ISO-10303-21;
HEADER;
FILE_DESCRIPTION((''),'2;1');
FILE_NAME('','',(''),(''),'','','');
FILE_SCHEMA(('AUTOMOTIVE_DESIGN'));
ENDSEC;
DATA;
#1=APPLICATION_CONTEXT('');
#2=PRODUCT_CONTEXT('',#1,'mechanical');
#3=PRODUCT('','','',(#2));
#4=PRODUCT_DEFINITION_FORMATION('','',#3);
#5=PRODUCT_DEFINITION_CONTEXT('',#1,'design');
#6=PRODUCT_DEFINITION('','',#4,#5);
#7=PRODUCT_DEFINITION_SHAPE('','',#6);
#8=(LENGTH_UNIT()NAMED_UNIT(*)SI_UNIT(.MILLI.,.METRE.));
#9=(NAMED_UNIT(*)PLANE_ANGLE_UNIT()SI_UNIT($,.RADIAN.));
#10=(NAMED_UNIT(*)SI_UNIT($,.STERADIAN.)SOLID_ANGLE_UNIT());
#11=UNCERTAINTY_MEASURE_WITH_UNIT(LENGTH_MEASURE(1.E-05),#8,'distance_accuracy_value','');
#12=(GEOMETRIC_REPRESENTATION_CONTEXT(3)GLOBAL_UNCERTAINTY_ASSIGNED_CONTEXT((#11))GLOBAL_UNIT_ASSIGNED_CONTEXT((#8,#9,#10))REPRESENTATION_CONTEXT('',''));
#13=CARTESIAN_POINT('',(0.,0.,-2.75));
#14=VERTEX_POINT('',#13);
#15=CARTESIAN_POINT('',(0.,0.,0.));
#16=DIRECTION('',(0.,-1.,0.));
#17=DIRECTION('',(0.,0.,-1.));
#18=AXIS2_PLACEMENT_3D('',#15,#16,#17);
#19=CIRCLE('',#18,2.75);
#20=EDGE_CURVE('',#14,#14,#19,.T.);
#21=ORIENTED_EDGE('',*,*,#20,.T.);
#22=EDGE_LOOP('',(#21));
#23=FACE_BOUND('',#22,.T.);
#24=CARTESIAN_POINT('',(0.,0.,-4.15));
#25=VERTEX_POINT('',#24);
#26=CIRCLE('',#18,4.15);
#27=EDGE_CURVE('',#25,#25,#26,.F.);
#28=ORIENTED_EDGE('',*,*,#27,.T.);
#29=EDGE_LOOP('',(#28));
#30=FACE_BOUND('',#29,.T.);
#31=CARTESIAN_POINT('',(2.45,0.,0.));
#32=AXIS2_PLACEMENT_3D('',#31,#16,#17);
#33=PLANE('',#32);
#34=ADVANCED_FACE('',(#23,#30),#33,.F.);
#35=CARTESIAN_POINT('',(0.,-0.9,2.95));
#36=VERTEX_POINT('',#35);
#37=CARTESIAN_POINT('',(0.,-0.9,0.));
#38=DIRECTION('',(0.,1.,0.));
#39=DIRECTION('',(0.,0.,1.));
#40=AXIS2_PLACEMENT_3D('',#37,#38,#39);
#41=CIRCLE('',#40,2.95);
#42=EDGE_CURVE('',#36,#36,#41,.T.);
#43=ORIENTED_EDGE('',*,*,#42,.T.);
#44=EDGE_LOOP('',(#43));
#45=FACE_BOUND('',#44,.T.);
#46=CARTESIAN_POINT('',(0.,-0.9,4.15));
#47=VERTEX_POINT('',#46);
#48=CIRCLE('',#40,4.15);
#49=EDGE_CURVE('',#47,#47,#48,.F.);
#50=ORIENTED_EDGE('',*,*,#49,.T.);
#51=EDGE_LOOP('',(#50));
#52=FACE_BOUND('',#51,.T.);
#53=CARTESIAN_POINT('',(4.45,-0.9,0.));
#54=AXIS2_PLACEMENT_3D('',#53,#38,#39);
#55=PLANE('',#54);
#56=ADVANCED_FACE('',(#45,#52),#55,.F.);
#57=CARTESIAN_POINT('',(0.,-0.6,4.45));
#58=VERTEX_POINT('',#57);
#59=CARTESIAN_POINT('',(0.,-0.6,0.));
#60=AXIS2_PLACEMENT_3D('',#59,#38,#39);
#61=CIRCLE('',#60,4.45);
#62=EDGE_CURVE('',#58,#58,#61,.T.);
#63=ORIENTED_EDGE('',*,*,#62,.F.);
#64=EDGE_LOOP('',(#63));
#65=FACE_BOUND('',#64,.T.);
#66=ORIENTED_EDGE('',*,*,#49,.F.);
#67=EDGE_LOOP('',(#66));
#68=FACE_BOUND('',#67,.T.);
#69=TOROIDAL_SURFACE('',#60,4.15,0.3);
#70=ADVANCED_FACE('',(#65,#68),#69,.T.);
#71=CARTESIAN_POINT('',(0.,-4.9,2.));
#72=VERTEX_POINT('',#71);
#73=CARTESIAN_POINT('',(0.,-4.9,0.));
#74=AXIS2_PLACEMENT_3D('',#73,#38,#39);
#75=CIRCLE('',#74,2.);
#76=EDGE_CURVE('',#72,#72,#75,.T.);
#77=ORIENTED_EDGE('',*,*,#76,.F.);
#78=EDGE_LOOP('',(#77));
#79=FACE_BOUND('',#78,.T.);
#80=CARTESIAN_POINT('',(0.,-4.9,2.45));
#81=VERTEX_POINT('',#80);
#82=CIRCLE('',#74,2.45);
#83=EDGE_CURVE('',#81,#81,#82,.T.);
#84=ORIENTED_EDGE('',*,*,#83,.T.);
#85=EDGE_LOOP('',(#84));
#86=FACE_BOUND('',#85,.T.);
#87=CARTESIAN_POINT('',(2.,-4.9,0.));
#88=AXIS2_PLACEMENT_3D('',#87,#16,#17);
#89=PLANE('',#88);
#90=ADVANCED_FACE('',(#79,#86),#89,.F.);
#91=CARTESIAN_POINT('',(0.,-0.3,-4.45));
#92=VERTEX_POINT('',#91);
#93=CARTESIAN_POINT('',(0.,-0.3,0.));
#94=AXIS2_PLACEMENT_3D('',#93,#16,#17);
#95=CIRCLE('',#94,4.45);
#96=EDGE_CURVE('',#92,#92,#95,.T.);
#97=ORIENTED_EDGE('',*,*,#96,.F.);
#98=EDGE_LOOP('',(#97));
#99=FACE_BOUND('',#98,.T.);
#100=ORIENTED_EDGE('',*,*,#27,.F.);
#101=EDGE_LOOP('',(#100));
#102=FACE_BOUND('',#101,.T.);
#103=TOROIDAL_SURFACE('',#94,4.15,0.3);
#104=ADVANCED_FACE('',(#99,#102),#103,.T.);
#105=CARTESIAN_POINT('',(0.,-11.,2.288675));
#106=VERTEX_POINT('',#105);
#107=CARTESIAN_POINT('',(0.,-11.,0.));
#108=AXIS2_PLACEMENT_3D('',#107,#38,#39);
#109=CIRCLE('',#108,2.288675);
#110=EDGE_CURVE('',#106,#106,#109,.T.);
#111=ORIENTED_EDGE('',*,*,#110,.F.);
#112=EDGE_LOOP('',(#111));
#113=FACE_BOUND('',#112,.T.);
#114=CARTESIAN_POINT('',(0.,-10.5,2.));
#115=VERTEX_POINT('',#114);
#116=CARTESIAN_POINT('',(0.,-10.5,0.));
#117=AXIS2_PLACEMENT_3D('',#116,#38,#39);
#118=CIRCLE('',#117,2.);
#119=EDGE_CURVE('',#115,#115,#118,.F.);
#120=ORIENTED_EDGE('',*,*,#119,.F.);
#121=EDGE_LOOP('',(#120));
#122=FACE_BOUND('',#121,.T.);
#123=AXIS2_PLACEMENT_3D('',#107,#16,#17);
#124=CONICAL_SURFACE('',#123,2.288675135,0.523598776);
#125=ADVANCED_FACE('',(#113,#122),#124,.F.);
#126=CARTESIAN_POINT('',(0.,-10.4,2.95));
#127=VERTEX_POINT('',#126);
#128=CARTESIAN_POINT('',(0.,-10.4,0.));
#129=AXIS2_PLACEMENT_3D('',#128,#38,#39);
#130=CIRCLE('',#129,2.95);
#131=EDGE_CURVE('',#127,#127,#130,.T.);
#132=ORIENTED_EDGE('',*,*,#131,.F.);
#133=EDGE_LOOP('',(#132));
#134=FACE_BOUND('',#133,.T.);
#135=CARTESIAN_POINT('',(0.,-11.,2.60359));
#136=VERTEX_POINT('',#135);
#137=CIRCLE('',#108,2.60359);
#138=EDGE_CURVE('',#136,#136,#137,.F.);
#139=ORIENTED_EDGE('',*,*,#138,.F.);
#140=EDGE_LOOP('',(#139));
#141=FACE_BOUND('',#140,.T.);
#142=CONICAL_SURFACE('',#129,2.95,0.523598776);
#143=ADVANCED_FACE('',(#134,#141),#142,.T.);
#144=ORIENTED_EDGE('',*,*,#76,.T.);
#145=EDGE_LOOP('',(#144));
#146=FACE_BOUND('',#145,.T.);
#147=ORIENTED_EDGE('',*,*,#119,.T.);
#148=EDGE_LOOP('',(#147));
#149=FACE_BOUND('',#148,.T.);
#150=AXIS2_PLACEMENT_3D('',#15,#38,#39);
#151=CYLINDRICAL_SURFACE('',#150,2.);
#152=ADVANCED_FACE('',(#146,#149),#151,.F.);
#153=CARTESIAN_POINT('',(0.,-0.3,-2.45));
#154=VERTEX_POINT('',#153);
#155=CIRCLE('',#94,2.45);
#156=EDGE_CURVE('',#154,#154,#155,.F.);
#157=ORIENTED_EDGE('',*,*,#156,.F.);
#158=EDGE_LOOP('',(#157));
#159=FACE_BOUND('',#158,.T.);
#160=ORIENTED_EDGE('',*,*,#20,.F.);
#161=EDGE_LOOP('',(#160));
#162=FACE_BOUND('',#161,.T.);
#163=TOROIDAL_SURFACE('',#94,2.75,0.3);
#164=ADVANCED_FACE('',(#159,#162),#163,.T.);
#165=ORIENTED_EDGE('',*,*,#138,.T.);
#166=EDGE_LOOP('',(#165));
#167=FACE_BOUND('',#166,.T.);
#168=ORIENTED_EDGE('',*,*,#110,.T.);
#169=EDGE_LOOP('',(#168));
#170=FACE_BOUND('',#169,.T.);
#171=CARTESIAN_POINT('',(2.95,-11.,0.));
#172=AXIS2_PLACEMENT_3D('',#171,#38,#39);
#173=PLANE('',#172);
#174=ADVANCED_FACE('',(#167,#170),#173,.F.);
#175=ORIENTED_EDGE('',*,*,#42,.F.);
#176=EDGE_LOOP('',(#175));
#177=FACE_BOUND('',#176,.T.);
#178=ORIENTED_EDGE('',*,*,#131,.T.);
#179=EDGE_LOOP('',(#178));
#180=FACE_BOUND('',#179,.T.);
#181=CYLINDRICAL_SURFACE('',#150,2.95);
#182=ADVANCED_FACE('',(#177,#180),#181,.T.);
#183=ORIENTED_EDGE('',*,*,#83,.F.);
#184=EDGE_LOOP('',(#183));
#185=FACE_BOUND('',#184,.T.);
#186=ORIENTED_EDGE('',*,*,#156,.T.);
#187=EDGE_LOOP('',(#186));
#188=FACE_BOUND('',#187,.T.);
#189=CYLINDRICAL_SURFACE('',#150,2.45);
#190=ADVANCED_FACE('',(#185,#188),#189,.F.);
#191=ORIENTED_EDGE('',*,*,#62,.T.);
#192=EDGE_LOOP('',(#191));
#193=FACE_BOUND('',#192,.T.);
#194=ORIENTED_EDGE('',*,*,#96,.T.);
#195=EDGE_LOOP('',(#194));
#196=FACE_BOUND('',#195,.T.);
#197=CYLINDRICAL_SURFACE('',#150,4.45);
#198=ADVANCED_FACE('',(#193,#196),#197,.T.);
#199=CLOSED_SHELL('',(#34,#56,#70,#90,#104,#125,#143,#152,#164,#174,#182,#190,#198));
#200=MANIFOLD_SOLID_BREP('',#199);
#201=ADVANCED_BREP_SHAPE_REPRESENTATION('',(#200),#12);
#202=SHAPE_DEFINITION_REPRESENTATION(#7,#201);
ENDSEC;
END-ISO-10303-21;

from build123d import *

# Parameters (mm, degrees)
FILLET1_R      = 0.3
CHAMFER1_SIZE  = 0.6
CHAMFER1_SIZE2 = 0.346410162
CHAMFER2_SIZE  = 0.5
CHAMFER2_SIZE2 = 0.288675135


with BuildPart() as part:
    # Sketch1 → Revolve1 (revolve)
    with BuildSketch(Plane.XY):
        Polygon((2.45, 0), (4.45, 0), (4.45, -0.9), (2.95, -0.9), (2.95, -11), (2, -11), (2, -4.9), (2.45, -4.9), align=None)
    revolve(axis=Axis((0, 0, 0), (0, -1, 0)))

    # Fillet1
    fillet1_edges = [part.edges().sort_by_distance(p)[0] for p in [
        (-4.45, -0.9, 0),
        (-4.45, 0, 0),
        (-2.45, 0, 0),
    ]]
    fillet(fillet1_edges, radius=FILLET1_R)

    # Chamfer1
    chamfer1_edges = [part.edges().sort_by_distance(p)[0] for p in [
        (-2.95, -11, 0),
    ]]
    chamfer1_side = [part.faces().sort_by_distance(p)[0] for p in [
        (-2.95, -5.95, 0),
    ]]
    chamfer(chamfer1_edges, length=CHAMFER1_SIZE, length2=CHAMFER1_SIZE2, reference=chamfer1_side[0])

    # Chamfer2
    chamfer2_edges = [part.edges().sort_by_distance(p)[0] for p in [
        (-2, -11, 0),
    ]]
    chamfer2_side = [part.faces().sort_by_distance(p)[0] for p in [
        (-2, -7.95, 0),
    ]]
    chamfer(chamfer2_edges, length=CHAMFER2_SIZE, length2=CHAMFER2_SIZE2, reference=chamfer2_side[0])


solid = part.part
